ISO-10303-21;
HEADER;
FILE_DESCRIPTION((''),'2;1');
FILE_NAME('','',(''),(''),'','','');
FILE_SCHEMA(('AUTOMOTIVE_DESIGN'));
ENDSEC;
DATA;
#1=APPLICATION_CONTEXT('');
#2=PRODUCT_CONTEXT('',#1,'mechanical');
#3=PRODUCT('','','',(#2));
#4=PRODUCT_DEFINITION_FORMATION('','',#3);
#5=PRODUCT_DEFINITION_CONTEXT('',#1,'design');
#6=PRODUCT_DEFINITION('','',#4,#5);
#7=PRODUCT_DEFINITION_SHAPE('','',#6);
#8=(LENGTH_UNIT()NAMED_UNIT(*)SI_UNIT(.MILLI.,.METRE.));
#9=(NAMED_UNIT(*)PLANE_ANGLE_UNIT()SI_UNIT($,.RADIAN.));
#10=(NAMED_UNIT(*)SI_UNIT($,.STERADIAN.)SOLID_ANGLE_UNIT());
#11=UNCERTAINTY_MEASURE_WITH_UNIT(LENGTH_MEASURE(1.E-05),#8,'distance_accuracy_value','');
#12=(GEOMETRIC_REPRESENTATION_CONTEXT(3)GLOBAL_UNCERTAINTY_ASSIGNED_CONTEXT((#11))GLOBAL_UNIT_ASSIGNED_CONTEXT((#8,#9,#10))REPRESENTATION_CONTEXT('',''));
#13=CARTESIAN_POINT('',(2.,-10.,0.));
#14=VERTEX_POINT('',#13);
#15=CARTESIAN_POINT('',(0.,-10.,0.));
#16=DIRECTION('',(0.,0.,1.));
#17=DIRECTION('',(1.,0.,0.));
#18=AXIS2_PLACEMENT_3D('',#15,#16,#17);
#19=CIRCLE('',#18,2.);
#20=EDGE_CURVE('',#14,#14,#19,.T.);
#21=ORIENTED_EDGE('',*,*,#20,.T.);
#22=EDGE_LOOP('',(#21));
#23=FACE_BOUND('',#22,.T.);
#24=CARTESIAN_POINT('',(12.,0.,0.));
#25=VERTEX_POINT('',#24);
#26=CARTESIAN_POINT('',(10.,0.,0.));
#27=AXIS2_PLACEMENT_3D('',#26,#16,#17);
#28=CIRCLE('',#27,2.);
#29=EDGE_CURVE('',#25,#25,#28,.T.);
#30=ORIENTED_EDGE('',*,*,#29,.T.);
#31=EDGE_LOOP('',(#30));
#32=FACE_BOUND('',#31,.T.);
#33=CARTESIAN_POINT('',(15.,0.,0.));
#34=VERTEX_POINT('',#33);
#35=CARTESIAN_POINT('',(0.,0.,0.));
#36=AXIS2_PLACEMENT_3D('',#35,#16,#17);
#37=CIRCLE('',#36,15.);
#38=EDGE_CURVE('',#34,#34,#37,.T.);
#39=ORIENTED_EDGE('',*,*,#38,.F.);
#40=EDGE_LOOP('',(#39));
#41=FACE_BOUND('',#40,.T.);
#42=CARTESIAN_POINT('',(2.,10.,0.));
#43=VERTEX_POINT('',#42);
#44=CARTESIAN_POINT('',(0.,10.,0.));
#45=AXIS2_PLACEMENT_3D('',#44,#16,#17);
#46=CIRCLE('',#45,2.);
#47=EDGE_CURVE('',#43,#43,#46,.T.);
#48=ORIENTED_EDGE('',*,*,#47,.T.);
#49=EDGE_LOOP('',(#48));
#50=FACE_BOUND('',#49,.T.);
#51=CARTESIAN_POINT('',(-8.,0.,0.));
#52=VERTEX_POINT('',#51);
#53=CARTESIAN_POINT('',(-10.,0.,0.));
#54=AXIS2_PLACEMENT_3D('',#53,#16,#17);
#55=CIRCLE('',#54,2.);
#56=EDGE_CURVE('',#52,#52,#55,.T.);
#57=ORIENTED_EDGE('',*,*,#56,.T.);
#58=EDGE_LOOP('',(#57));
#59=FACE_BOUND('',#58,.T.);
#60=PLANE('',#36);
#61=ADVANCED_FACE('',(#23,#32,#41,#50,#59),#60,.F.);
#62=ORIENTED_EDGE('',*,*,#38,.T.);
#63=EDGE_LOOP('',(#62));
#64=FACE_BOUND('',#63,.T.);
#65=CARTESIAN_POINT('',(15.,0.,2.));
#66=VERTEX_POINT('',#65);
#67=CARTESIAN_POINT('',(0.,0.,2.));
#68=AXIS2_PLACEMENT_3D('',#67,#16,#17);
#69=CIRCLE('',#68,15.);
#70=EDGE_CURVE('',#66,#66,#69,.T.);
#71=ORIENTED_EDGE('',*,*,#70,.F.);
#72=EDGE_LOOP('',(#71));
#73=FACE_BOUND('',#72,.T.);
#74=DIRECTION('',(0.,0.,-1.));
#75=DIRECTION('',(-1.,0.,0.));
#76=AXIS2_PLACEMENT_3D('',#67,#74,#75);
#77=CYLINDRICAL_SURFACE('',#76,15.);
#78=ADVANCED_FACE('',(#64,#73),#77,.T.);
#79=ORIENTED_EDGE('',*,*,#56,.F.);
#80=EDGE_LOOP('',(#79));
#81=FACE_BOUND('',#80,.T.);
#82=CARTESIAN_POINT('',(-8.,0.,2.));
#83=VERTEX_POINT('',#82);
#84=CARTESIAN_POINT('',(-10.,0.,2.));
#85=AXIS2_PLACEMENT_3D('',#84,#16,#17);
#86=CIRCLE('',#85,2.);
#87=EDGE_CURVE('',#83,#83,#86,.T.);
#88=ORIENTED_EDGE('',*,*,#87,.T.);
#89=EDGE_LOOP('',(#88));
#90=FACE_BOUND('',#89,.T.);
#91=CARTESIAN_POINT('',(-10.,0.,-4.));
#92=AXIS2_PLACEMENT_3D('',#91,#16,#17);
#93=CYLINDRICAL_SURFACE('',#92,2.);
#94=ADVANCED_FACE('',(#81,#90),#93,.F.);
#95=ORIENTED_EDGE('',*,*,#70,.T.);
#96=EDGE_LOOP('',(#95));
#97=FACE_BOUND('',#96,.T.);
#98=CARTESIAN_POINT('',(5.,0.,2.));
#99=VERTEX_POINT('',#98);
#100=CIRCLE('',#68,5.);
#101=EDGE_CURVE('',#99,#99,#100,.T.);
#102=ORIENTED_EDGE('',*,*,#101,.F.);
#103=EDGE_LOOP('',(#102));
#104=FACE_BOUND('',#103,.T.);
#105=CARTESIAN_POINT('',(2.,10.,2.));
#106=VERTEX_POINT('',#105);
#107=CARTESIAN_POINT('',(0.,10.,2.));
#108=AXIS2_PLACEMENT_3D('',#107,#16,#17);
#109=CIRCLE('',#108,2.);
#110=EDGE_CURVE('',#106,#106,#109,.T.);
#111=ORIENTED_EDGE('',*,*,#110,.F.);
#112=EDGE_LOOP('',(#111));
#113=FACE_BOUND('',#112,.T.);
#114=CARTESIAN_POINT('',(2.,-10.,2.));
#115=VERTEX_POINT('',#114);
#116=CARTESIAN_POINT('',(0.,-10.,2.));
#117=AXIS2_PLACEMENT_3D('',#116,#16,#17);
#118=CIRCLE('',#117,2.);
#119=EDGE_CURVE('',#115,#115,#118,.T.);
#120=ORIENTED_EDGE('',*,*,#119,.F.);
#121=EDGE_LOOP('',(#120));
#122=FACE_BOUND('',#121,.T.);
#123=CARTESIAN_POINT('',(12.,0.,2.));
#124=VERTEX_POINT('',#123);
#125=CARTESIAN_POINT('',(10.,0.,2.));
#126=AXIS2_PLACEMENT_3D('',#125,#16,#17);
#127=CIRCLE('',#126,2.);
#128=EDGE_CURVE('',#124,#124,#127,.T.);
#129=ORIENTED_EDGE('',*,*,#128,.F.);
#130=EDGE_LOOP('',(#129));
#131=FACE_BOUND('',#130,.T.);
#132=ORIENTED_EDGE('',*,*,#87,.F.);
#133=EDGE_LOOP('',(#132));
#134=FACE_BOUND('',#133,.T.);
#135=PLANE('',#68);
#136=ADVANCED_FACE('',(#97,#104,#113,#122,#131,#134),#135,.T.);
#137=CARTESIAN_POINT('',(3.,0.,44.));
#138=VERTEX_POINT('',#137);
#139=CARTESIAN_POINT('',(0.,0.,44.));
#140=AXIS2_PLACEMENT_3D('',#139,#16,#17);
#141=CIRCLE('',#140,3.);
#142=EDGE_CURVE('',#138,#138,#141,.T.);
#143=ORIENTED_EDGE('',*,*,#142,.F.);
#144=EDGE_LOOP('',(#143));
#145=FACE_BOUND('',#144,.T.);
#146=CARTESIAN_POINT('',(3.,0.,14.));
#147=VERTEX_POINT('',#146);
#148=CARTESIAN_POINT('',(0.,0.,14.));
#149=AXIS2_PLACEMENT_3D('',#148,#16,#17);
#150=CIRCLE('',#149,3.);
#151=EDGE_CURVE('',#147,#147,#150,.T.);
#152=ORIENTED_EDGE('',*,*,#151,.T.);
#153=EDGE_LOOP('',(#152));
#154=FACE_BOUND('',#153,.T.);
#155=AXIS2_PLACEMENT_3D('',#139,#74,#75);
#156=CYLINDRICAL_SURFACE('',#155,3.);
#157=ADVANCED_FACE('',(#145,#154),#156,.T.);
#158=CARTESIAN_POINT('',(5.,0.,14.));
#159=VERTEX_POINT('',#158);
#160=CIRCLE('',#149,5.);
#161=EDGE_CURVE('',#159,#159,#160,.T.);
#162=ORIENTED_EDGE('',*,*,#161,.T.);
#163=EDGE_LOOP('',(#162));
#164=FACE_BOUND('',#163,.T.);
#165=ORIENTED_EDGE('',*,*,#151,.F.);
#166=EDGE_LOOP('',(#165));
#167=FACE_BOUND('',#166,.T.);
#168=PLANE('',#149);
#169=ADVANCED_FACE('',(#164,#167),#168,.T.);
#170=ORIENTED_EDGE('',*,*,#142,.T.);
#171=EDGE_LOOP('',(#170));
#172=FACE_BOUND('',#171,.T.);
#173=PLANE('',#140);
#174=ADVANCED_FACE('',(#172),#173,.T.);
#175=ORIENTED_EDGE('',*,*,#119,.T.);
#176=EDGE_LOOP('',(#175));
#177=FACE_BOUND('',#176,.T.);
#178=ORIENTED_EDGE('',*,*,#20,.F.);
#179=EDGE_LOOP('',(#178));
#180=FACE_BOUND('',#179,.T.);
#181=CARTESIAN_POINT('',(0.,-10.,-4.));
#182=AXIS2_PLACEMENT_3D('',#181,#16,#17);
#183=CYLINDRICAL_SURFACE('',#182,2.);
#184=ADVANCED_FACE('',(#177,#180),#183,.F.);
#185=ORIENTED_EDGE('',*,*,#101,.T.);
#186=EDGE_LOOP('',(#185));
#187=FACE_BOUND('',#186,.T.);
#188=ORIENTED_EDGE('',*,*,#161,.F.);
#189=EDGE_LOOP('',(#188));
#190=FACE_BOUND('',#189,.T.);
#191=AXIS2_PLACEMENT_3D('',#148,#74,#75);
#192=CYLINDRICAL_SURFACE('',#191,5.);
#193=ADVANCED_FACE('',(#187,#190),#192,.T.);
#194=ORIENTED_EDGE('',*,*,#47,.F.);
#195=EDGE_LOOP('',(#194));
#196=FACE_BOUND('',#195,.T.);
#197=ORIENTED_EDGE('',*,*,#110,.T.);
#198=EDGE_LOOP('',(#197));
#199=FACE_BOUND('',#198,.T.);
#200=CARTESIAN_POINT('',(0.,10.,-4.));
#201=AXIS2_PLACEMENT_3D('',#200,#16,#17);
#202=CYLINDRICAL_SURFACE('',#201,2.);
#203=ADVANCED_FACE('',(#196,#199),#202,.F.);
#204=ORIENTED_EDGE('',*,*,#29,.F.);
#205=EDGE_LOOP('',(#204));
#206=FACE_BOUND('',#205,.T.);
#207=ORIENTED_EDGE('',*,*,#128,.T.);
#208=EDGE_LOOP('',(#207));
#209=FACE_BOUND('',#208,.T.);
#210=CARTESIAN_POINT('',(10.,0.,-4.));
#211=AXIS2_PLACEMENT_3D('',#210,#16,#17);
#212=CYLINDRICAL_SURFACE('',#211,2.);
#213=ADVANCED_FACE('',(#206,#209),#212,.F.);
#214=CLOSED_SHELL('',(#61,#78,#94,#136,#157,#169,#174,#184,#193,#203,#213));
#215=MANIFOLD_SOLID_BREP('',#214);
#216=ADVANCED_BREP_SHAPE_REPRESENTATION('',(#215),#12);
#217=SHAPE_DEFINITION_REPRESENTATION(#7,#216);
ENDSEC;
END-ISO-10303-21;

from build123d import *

# Parameters (mm, degrees)
SKETCH1_R           = 15
BOSS_EXTRUDE1_DEPTH = 2
SKETCH2_R           = 5
BOSS_EXTRUDE2_DEPTH = 12
SKETCH3_R           = 2
CUT_EXTRUDE1_DEPTH  = 6
SKETCH4_R           = 3
BOSS_EXTRUDE3_DEPTH = 30


with BuildPart() as part:
    # Sketch1 → Boss-Extrude1 (new body)
    with BuildSketch(Plane.XY):
        Circle(SKETCH1_R)
    extrude(amount=BOSS_EXTRUDE1_DEPTH)

    # Sketch2 → Boss-Extrude2 (add)
    with BuildSketch(Plane.XY.offset(2)):
        Circle(SKETCH2_R)
    extrude(amount=BOSS_EXTRUDE2_DEPTH)

    # Sketch3 → Cut-Extrude1 (cut)
    with BuildSketch(Plane.XY.offset(2)):
        with Locations((0, 10)):
            Circle(SKETCH3_R)
        with Locations((10, 0)):
            Circle(SKETCH3_R)
        with Locations((0, -10)):
            Circle(SKETCH3_R)
        with Locations((-10, 0)):
            Circle(SKETCH3_R)
    extrude(amount=-CUT_EXTRUDE1_DEPTH, mode=Mode.SUBTRACT)

    # Sketch4 → Boss-Extrude3 (add)
    with BuildSketch(Plane.XY.offset(14)):
        Circle(SKETCH4_R)
    extrude(amount=BOSS_EXTRUDE3_DEPTH)


solid = part.part
